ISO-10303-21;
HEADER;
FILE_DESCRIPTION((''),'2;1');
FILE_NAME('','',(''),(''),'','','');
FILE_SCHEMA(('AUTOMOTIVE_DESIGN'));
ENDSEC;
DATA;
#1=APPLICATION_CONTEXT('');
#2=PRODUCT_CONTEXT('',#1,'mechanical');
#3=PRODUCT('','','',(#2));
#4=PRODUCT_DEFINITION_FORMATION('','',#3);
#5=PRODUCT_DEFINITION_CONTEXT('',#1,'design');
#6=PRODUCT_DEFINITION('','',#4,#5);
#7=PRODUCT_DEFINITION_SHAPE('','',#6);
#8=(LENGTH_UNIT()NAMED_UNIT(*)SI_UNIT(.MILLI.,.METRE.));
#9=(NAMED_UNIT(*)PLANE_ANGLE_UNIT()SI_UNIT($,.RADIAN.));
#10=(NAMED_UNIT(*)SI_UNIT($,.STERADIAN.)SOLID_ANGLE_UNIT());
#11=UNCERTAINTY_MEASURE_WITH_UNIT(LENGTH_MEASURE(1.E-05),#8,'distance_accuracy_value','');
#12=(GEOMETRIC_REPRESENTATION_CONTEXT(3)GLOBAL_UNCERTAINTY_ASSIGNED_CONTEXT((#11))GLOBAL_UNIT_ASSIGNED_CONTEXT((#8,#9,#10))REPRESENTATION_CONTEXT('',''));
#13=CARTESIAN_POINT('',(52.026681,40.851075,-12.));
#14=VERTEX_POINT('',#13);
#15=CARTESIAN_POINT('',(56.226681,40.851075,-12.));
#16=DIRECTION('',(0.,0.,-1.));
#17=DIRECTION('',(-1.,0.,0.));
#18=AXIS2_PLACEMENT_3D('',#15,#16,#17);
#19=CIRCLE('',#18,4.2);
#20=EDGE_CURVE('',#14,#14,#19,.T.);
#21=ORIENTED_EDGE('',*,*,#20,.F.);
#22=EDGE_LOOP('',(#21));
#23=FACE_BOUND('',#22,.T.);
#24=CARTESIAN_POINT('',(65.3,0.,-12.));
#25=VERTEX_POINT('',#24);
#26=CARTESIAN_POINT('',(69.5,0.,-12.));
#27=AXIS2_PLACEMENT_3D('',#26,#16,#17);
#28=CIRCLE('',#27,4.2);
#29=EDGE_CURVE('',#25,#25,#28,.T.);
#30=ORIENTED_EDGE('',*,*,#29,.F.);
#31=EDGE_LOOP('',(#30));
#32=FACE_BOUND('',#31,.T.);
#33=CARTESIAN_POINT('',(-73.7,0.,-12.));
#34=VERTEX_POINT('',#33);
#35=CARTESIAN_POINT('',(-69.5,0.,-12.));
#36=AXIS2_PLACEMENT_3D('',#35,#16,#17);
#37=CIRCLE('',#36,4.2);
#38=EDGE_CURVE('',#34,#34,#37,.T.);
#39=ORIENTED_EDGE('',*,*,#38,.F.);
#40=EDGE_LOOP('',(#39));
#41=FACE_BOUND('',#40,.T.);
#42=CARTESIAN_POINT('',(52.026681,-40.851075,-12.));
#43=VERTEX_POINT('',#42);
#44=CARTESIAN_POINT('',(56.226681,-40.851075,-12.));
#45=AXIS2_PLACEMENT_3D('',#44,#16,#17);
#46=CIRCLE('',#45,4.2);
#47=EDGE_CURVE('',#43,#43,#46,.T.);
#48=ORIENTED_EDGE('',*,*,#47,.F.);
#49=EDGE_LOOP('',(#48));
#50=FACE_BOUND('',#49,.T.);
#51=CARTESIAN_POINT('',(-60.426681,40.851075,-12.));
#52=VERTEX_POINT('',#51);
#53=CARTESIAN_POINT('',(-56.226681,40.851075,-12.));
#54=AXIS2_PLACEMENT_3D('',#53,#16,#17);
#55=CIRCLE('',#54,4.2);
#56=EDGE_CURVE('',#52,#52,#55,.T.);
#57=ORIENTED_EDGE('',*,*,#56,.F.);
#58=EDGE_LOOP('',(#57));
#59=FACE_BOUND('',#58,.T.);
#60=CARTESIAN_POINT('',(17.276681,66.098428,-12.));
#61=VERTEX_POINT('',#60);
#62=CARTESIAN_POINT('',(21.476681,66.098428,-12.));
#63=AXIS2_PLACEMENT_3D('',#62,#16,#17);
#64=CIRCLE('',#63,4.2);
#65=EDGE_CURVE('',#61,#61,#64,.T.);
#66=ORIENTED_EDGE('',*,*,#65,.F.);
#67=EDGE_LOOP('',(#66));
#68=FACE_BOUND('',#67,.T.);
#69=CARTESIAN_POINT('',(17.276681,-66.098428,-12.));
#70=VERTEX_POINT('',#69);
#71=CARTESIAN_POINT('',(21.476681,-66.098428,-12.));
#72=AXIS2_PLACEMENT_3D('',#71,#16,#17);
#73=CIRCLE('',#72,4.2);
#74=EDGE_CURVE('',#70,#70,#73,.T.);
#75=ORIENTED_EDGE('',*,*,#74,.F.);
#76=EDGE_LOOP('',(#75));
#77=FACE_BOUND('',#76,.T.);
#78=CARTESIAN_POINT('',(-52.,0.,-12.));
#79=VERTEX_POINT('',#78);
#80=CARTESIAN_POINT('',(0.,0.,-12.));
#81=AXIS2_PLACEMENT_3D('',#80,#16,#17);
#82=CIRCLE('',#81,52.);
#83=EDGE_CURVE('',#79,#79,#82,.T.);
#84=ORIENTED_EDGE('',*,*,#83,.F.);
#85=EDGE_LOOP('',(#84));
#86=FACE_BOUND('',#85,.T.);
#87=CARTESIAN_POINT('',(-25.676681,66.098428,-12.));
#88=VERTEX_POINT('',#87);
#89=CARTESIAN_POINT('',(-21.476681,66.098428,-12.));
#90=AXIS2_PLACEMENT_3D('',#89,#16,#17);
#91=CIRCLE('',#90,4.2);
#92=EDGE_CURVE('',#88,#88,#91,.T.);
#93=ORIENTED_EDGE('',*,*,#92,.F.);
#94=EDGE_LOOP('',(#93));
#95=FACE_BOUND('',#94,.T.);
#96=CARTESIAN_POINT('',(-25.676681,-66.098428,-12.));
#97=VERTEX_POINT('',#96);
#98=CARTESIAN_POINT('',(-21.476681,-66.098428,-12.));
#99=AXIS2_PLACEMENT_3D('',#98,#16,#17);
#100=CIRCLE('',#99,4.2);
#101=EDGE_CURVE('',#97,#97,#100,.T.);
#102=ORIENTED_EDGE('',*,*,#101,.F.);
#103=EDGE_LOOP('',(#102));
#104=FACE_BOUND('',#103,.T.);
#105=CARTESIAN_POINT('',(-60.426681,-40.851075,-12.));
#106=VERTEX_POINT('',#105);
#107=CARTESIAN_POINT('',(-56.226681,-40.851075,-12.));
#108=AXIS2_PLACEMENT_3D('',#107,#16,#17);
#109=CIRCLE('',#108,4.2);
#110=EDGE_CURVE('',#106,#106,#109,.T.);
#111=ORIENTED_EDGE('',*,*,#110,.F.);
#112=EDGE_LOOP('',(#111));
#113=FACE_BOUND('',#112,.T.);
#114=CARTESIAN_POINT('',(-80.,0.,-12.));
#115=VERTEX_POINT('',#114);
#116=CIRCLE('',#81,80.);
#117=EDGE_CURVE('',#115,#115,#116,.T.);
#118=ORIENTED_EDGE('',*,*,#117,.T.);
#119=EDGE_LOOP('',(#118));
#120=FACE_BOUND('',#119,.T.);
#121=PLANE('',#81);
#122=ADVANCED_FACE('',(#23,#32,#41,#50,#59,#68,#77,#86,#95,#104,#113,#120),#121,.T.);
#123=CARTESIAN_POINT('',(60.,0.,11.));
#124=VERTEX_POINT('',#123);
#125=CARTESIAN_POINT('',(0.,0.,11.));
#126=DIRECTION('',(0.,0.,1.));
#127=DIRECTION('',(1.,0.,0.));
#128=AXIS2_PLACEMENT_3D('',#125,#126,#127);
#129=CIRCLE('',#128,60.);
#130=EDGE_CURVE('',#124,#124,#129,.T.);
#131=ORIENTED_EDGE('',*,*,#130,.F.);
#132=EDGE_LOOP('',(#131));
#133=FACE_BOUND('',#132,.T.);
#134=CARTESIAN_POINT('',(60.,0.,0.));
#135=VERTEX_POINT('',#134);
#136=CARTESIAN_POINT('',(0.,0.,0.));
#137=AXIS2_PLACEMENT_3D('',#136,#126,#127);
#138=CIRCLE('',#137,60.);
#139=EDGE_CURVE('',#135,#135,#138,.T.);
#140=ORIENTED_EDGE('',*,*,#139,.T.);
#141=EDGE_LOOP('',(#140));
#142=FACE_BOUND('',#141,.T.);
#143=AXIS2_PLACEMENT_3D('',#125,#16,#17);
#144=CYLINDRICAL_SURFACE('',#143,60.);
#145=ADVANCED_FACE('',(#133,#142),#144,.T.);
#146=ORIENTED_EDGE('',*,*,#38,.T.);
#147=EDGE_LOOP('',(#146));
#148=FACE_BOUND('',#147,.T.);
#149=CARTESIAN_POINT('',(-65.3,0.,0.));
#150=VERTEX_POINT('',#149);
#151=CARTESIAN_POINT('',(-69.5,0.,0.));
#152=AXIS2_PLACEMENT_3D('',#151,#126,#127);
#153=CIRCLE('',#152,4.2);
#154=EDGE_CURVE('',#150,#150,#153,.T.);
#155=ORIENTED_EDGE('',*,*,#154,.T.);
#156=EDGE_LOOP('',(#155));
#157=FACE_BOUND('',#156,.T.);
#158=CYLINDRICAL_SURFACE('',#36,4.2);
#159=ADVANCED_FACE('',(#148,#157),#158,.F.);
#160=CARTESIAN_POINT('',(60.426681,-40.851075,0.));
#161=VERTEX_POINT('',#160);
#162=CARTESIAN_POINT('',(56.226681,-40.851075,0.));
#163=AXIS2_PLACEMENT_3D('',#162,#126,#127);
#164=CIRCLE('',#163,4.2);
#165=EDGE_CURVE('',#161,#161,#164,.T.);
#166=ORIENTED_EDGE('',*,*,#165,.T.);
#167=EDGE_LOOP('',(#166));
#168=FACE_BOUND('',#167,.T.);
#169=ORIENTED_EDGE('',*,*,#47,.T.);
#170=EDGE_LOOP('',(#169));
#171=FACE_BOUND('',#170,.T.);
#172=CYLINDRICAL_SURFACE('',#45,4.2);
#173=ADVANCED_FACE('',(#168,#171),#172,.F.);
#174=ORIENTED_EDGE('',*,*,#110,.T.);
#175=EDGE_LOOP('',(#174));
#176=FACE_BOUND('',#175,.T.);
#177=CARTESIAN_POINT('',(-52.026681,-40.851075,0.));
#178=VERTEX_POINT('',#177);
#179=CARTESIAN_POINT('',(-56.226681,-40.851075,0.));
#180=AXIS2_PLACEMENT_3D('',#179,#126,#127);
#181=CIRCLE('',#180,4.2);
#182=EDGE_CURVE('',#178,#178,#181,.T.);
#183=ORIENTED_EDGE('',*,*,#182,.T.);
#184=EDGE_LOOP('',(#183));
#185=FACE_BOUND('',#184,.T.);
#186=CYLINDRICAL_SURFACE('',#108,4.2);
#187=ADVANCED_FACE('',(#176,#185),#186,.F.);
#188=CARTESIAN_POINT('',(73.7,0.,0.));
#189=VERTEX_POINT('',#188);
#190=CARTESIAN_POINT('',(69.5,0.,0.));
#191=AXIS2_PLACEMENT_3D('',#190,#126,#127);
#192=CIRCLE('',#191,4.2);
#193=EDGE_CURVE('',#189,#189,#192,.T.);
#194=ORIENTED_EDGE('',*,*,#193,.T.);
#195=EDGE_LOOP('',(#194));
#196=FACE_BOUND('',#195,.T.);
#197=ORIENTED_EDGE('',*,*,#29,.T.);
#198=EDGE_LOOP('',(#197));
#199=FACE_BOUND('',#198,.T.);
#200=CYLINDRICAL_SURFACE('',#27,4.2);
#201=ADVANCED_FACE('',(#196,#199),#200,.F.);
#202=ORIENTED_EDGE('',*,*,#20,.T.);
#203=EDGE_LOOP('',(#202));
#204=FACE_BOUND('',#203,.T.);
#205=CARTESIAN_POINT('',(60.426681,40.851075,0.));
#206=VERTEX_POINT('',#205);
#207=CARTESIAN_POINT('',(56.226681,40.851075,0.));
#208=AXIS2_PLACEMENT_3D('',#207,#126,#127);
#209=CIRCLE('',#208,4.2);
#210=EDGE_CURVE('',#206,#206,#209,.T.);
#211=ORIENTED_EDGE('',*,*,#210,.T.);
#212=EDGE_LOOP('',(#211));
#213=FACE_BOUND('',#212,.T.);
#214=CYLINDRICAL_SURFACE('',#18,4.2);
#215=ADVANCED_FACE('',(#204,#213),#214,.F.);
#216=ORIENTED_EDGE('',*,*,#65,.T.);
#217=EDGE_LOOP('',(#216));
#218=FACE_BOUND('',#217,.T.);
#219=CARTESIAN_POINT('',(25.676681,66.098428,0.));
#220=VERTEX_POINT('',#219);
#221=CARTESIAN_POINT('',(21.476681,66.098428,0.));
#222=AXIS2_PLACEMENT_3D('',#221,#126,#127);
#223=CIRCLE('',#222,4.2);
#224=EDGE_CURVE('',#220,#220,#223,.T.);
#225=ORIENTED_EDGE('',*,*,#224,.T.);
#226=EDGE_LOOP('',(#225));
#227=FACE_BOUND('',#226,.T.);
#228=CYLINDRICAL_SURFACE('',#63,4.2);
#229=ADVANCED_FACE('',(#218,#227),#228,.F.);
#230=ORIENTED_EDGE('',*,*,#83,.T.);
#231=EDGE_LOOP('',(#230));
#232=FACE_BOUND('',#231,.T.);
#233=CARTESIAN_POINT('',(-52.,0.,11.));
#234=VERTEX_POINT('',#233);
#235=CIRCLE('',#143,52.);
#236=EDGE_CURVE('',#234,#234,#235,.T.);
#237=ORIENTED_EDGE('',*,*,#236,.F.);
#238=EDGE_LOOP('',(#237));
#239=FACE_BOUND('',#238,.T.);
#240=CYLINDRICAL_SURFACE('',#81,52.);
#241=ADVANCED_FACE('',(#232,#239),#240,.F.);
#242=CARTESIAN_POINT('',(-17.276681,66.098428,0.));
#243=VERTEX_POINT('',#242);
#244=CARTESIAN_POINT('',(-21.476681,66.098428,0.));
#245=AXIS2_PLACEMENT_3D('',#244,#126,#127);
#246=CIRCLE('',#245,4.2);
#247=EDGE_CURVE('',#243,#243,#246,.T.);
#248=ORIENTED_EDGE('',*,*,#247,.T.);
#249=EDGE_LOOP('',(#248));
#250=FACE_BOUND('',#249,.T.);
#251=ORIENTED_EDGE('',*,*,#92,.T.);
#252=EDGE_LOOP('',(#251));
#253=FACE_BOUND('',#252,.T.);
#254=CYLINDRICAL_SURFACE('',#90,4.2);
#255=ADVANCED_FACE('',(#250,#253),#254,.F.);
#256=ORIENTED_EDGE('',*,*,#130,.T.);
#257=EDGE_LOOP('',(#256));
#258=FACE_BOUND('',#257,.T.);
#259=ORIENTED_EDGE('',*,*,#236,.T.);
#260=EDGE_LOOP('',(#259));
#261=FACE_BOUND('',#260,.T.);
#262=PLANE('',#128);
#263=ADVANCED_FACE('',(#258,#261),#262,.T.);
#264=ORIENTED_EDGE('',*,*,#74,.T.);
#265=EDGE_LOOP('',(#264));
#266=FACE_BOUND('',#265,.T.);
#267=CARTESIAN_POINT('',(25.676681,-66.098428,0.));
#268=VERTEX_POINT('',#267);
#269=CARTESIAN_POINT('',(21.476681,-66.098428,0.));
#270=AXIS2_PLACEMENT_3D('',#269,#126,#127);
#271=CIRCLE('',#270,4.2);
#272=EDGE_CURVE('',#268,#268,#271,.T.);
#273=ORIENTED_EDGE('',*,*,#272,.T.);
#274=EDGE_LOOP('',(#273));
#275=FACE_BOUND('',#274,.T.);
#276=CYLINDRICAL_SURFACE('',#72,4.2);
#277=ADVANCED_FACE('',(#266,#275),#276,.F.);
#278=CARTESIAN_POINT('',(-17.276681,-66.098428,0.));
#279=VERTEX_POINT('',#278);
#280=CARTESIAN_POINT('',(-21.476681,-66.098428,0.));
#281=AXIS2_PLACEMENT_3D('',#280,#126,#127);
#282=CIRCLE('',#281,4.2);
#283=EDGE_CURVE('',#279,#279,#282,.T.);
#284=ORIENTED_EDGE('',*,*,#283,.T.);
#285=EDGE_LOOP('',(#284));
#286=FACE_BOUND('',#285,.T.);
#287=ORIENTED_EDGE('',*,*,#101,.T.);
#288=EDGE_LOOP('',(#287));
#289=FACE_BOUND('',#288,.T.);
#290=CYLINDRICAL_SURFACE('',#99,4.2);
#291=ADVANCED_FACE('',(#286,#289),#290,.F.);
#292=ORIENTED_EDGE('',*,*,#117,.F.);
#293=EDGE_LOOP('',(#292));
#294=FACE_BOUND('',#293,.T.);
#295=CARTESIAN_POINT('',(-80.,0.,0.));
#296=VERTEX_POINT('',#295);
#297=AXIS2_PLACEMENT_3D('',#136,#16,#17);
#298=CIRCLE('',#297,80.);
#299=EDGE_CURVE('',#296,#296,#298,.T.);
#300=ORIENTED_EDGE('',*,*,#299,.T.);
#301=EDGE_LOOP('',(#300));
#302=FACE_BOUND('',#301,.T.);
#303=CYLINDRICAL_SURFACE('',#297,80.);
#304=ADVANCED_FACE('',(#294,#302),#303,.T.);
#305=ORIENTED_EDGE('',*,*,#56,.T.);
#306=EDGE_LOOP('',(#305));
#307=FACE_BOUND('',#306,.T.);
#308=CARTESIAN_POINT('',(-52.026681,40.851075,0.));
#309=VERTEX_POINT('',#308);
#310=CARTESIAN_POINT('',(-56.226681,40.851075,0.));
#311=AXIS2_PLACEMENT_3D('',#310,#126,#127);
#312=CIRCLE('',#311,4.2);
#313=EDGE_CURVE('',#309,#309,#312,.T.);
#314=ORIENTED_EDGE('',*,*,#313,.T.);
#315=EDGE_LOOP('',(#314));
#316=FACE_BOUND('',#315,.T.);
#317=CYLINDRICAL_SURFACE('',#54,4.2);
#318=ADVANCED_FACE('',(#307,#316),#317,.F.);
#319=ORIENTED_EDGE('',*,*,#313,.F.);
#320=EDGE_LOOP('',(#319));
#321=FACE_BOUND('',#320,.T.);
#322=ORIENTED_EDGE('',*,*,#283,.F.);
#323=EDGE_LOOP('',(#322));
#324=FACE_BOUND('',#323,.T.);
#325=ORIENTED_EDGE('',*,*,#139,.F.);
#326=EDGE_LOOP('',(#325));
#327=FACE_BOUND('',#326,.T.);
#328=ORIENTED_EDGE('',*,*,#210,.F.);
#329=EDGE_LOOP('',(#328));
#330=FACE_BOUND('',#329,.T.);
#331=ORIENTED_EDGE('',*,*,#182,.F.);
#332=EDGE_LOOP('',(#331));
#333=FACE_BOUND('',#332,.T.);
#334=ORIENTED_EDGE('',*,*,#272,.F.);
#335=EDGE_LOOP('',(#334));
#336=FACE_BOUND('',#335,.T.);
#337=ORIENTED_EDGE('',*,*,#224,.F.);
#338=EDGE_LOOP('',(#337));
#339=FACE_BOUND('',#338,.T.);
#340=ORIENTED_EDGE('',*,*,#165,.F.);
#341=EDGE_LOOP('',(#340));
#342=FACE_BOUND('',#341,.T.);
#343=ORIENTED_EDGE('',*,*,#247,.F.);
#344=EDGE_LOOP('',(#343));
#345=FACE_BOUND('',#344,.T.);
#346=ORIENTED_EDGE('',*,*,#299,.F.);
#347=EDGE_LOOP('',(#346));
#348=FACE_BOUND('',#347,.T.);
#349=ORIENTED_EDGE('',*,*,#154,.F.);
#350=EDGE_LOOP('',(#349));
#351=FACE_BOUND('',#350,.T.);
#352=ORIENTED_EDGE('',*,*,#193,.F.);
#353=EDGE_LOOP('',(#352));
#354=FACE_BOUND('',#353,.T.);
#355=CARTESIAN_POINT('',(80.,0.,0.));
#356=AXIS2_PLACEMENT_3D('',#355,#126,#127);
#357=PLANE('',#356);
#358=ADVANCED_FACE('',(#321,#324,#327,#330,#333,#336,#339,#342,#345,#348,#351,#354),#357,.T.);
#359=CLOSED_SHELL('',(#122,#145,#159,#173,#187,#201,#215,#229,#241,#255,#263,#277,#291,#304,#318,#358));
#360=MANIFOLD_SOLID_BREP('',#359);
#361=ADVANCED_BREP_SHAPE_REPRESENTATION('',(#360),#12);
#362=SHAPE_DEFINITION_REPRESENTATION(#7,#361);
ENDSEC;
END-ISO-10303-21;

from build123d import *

# Parameters (mm, degrees)
SKETCH1_W                      = 80
SKETCH1_H                      = 12
SKETCH2_R                      = 60
BOSS_EXTRUDE1_DEPTH            = 11
F_8_4_8_4_DIAMETER_HOLE1_D     = 8.4
F_8_4_8_4_DIAMETER_HOLE1_DEPTH = 23
M100_CLEARANCE_HOLE1_D         = 104


with BuildPart() as part:
    # Sketch1 → Revolve1 (revolve)
    with BuildSketch(Plane.XZ, mode=Mode.PRIVATE) as revolve1_sk:
        with Locations((40, -6)):
            Rectangle(SKETCH1_W, SKETCH1_H)
    revolve(revolve1_sk.sketch.rotate(Axis((0, 0, 0), (0, 0, -1)), 180), axis=Axis((0, 0, 0), (0, 0, -1)))

    # Sketch2 → Boss-Extrude1 (add)
    with BuildSketch(Plane.XY):
        Circle(SKETCH2_R)
    extrude(amount=BOSS_EXTRUDE1_DEPTH)

    # Ø8.4 (8.4) Diameter Hole1
    with Locations(Plane(origin=(0, 0, -12), x_dir=(-1, 0, 0), z_dir=(0, 0, -1))):
        with Locations((21.476681109, 66.098427883), (56.226681109, 40.851075034), (69.5, 0), (56.226681109, -40.851075034), (21.476681109, -66.098427883), (-21.476681109, -66.098427883), (-56.226681109, -40.851075034), (-69.5, 0), (-56.226681109, 40.851075034), (-21.476681109, 66.098427883)):
            Hole(F_8_4_8_4_DIAMETER_HOLE1_D / 2, depth=F_8_4_8_4_DIAMETER_HOLE1_DEPTH)

    # M100 Clearance Hole1 (through all)
    with Locations(Plane(origin=(0, 0, -12), x_dir=(-1, 0, 0), z_dir=(0, 0, -1))):
        with Locations((0, 0)):
            Hole(M100_CLEARANCE_HOLE1_D / 2)


solid = part.part
